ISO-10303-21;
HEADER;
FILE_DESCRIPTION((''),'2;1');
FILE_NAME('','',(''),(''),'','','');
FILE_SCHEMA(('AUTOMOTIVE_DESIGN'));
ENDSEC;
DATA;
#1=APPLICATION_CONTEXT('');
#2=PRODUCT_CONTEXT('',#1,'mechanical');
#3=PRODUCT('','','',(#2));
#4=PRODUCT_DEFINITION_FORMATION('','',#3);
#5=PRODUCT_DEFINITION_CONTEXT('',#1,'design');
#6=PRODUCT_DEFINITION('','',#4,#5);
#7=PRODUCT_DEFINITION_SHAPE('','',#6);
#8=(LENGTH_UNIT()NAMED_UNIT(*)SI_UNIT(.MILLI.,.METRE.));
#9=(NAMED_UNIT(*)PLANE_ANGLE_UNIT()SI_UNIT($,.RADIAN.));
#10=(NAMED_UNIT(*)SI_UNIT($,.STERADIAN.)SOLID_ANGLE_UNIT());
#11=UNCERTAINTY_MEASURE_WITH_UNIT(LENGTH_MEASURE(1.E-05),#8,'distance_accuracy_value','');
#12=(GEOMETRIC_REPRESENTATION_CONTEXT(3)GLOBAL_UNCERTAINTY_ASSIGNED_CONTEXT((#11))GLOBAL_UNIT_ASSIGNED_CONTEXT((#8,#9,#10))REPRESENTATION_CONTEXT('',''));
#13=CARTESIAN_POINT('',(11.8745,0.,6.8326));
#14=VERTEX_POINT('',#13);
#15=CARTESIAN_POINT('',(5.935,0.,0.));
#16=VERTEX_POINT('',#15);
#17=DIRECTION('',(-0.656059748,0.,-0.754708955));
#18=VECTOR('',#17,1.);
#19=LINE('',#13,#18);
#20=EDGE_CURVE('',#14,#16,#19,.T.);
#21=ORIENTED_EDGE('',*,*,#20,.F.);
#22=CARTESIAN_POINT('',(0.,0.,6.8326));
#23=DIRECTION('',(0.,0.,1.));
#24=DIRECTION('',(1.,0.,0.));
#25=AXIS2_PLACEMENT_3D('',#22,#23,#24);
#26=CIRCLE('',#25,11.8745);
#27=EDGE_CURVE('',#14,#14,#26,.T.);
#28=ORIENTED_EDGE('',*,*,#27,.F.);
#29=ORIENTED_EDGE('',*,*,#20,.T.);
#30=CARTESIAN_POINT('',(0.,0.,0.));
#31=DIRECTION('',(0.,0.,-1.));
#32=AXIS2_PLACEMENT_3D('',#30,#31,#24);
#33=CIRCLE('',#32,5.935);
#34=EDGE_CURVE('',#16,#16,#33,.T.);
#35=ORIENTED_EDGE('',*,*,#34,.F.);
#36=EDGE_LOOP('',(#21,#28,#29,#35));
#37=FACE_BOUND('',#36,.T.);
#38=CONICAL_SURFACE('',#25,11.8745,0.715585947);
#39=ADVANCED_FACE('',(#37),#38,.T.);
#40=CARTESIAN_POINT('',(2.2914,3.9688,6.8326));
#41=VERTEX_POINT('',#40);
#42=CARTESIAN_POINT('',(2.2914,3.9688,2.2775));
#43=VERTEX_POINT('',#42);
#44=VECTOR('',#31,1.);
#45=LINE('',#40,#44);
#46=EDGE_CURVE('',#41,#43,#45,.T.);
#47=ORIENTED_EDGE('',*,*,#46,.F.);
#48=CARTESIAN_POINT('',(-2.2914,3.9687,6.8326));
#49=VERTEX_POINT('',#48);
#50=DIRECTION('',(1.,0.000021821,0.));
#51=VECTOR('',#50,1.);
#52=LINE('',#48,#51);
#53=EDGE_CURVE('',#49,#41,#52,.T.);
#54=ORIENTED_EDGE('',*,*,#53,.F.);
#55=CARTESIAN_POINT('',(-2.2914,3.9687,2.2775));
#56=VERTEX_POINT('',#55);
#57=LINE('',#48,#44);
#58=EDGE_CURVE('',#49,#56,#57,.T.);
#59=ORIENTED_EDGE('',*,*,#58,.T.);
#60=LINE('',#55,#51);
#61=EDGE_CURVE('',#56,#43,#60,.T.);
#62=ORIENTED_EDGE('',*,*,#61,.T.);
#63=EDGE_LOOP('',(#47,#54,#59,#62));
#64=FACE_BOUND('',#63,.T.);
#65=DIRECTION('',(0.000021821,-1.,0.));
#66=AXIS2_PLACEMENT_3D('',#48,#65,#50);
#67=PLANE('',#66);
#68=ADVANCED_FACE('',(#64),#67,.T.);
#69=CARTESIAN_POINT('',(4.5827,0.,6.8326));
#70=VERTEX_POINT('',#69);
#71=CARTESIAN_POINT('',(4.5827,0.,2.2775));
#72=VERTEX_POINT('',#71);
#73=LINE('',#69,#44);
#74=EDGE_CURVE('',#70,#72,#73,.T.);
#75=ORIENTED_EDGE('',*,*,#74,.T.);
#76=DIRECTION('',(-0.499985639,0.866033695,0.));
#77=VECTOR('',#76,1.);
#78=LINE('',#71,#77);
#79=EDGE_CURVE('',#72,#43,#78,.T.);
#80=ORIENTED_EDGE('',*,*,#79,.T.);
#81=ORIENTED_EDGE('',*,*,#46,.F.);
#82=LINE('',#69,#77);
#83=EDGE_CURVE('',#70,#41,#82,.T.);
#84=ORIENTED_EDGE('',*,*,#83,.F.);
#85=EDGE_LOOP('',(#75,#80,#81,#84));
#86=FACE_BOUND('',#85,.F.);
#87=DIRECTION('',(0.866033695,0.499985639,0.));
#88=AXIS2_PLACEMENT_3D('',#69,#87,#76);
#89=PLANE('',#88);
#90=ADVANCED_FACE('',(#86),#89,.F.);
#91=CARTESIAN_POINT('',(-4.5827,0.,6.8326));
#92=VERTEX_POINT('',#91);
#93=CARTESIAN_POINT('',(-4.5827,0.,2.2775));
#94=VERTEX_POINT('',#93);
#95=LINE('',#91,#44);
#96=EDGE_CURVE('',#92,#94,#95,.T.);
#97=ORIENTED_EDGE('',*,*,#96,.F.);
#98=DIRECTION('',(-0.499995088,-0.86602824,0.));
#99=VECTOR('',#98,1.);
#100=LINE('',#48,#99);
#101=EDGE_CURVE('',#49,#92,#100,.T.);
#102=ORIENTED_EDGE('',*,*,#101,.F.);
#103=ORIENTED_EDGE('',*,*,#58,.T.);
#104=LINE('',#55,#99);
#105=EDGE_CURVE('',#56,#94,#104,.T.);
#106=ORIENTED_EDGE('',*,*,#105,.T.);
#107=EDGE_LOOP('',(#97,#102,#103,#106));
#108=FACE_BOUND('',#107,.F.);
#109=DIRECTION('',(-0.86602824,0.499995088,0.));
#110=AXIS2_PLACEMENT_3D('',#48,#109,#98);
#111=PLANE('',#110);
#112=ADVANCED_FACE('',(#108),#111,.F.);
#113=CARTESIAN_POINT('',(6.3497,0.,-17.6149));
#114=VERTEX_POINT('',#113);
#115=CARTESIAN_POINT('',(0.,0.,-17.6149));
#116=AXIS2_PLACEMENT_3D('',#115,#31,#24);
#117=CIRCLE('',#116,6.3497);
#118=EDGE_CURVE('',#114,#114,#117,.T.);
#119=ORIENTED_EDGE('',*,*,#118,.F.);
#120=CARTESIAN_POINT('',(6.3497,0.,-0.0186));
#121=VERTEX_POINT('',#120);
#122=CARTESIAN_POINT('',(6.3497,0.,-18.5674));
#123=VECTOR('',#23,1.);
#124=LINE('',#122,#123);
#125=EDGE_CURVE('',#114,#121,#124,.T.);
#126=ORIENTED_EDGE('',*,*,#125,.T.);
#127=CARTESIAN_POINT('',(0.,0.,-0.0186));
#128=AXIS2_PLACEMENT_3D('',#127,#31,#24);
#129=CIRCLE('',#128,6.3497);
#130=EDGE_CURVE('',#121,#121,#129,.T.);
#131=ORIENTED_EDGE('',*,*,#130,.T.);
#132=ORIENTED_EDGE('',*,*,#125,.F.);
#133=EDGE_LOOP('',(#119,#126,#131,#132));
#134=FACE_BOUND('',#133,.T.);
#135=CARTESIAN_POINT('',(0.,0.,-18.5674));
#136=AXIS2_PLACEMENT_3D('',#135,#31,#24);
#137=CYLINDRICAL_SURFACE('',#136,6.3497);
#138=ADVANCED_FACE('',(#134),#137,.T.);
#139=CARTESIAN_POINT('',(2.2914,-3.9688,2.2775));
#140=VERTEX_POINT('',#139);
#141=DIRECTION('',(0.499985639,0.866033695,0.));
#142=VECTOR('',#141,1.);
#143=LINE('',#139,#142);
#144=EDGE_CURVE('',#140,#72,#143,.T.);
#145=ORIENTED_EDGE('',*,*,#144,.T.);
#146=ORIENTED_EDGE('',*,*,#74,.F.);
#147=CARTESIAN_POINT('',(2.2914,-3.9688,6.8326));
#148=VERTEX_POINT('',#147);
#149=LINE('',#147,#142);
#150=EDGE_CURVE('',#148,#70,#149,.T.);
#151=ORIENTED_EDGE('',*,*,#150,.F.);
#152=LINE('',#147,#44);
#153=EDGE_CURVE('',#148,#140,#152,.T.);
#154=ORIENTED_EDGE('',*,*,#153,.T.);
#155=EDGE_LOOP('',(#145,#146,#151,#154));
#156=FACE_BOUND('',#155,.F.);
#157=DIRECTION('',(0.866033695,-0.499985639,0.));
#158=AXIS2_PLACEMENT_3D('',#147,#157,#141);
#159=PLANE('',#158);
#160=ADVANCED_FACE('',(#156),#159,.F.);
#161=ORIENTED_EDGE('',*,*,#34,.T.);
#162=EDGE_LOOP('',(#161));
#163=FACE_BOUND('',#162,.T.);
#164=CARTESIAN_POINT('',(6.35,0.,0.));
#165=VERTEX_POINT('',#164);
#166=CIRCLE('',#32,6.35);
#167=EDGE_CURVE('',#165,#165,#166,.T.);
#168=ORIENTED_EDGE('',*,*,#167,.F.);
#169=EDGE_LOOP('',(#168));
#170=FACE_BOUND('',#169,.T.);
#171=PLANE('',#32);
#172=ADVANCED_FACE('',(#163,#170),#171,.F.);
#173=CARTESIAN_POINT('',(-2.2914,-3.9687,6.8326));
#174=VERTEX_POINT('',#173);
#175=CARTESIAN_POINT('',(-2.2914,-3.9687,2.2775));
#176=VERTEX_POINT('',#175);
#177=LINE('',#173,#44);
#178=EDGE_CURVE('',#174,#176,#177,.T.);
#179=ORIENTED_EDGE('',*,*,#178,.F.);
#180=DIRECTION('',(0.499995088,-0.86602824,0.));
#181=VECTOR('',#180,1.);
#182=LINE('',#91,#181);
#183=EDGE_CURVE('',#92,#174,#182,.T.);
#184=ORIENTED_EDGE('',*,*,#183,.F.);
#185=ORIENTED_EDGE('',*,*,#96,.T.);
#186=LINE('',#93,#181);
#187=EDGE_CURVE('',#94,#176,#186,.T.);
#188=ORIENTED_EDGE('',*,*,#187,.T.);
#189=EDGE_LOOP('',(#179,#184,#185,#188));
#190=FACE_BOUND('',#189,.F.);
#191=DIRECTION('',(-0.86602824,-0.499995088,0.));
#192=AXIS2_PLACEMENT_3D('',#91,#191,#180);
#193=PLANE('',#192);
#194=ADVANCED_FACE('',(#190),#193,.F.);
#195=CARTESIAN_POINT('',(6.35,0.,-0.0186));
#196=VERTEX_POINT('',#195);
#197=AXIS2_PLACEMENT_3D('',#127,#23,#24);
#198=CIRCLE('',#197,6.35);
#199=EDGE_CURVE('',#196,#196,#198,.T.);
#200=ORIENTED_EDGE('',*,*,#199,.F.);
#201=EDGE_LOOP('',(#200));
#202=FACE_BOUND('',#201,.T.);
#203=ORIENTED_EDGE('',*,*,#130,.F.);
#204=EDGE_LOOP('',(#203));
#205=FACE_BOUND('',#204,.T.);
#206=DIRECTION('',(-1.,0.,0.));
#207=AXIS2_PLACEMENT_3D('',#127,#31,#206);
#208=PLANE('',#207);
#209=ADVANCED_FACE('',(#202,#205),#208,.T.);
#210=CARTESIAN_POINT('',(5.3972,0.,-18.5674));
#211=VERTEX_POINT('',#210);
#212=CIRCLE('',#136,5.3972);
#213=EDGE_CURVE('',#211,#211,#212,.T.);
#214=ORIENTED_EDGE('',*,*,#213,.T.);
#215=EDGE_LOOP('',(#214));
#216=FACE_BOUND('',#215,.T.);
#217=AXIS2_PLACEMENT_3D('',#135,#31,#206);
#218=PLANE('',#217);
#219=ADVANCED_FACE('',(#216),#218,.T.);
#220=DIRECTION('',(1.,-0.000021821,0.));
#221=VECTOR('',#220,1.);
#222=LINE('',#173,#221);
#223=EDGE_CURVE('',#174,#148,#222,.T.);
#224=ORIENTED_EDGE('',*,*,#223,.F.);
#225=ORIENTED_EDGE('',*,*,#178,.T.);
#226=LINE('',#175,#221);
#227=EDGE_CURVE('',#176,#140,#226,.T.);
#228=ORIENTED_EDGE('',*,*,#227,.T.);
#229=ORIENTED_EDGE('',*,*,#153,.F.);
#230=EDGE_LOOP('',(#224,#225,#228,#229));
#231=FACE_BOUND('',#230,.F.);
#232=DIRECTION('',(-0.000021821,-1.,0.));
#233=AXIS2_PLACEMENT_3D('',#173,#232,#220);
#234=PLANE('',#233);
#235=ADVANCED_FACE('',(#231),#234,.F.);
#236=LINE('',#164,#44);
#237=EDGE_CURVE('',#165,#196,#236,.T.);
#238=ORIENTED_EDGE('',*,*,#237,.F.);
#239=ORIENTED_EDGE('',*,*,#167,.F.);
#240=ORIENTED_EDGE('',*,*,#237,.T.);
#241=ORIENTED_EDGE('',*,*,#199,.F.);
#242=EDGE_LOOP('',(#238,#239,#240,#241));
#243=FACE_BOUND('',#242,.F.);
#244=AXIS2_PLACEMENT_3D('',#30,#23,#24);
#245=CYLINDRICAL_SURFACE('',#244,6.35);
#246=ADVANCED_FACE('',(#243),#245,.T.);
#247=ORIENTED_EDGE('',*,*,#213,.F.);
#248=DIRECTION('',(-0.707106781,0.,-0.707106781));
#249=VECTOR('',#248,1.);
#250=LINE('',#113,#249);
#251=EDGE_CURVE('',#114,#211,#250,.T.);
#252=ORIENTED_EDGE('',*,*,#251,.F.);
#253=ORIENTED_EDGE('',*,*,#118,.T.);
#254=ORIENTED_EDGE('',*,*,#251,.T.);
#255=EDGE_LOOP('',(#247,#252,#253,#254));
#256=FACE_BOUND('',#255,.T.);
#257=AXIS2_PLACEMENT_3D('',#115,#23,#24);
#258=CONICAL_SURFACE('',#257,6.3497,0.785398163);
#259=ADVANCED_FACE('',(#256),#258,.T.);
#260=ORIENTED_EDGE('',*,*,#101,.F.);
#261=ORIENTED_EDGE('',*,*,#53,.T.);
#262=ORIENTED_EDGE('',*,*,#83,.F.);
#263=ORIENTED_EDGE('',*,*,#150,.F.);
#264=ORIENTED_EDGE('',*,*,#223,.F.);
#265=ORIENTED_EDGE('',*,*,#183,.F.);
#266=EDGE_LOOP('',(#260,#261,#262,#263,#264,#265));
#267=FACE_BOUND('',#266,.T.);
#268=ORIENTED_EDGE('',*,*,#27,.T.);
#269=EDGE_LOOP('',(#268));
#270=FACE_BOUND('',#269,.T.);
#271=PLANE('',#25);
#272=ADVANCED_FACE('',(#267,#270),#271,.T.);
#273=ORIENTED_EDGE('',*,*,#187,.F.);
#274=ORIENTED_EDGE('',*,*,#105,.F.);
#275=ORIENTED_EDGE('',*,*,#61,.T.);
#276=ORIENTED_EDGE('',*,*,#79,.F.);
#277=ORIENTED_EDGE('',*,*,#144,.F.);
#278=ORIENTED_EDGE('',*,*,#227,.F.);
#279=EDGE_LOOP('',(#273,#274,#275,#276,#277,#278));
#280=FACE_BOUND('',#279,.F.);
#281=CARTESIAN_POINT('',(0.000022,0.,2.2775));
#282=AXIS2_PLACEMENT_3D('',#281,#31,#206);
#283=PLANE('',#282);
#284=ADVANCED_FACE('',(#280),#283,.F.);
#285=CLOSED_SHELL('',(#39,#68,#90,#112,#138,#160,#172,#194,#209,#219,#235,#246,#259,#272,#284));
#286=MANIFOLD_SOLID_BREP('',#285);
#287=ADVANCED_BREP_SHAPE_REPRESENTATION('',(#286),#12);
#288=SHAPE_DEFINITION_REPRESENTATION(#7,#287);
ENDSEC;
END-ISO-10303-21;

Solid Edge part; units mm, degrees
sketch "Sketch1" plane through (0, 0, 0) normal (0, 0, 1) x (1, 0, 0)
  circle A0 centre (0, 0) radius 11.8745
  dimension "D1" = 23.749
extrude "Protrusion1" add sketch "Sketch1" along normal blind 6.8326
sketch "Sketch2" plane through (0, 0, 0) normal (0, 0, -1) x (1, 0, 0)
  circle A0 centre (0, 0) radius 6.35
extrude "Protrusion2" add sketch "Sketch2" along normal blind 18.5674
sketch "Sketch3" plane through (0, 0, -18.5674) normal (0, 0, -1) x (1, 0, 0)
  circle A0 centre (0, 0) radius 6.3497
extrude "Cutout1" cut sketch "Sketch3" against normal blind 18.5488 flip side to cut
chamfer "Chamfer_1" distance 0.9525 angle 45 1 edges at (-6.3497, 0, -18.5674)
sketch "Sketch4" plane through (0, 0, 6.8326) normal (0, 0, 1) x (1, 0, 0)
  line L0 (-2.2914, 3.9687) -> (2.2914, 3.9688)
  line L1 (4.5827, 0) -> (2.2914, 3.9688)
  line L2 (2.2914, -3.9688) -> (4.5827, 0)
  line L3 (-2.2914, -3.9687) -> (2.2914, -3.9688)
  line L4 (-4.5827, 0) -> (-2.2914, -3.9688)
  line L5 (-2.2914, 3.9688) -> (-4.5827, 0)
  dimension "D1" = 7.9375
extrude "Cutout2" cut sketch "Sketch4" against normal blind 4.5551
sketch "Sketch5" plane through (0, 0, 0) normal (0, -1, 0) x (1, 0, 0)
  line L0 (11.8745, 6.8326) -> (5.935, 0)
  line L1 (5.935, 0) -> (11.8745, 0)
  line L2 (11.8745, 0) -> (11.8745, 6.8326)
revolve "RevolvedCutout1" cut sketch "Sketch5" angle 360 about axis through (0, 0, 14.0017) along (0, 0, -1)
properties part number "24101012"
